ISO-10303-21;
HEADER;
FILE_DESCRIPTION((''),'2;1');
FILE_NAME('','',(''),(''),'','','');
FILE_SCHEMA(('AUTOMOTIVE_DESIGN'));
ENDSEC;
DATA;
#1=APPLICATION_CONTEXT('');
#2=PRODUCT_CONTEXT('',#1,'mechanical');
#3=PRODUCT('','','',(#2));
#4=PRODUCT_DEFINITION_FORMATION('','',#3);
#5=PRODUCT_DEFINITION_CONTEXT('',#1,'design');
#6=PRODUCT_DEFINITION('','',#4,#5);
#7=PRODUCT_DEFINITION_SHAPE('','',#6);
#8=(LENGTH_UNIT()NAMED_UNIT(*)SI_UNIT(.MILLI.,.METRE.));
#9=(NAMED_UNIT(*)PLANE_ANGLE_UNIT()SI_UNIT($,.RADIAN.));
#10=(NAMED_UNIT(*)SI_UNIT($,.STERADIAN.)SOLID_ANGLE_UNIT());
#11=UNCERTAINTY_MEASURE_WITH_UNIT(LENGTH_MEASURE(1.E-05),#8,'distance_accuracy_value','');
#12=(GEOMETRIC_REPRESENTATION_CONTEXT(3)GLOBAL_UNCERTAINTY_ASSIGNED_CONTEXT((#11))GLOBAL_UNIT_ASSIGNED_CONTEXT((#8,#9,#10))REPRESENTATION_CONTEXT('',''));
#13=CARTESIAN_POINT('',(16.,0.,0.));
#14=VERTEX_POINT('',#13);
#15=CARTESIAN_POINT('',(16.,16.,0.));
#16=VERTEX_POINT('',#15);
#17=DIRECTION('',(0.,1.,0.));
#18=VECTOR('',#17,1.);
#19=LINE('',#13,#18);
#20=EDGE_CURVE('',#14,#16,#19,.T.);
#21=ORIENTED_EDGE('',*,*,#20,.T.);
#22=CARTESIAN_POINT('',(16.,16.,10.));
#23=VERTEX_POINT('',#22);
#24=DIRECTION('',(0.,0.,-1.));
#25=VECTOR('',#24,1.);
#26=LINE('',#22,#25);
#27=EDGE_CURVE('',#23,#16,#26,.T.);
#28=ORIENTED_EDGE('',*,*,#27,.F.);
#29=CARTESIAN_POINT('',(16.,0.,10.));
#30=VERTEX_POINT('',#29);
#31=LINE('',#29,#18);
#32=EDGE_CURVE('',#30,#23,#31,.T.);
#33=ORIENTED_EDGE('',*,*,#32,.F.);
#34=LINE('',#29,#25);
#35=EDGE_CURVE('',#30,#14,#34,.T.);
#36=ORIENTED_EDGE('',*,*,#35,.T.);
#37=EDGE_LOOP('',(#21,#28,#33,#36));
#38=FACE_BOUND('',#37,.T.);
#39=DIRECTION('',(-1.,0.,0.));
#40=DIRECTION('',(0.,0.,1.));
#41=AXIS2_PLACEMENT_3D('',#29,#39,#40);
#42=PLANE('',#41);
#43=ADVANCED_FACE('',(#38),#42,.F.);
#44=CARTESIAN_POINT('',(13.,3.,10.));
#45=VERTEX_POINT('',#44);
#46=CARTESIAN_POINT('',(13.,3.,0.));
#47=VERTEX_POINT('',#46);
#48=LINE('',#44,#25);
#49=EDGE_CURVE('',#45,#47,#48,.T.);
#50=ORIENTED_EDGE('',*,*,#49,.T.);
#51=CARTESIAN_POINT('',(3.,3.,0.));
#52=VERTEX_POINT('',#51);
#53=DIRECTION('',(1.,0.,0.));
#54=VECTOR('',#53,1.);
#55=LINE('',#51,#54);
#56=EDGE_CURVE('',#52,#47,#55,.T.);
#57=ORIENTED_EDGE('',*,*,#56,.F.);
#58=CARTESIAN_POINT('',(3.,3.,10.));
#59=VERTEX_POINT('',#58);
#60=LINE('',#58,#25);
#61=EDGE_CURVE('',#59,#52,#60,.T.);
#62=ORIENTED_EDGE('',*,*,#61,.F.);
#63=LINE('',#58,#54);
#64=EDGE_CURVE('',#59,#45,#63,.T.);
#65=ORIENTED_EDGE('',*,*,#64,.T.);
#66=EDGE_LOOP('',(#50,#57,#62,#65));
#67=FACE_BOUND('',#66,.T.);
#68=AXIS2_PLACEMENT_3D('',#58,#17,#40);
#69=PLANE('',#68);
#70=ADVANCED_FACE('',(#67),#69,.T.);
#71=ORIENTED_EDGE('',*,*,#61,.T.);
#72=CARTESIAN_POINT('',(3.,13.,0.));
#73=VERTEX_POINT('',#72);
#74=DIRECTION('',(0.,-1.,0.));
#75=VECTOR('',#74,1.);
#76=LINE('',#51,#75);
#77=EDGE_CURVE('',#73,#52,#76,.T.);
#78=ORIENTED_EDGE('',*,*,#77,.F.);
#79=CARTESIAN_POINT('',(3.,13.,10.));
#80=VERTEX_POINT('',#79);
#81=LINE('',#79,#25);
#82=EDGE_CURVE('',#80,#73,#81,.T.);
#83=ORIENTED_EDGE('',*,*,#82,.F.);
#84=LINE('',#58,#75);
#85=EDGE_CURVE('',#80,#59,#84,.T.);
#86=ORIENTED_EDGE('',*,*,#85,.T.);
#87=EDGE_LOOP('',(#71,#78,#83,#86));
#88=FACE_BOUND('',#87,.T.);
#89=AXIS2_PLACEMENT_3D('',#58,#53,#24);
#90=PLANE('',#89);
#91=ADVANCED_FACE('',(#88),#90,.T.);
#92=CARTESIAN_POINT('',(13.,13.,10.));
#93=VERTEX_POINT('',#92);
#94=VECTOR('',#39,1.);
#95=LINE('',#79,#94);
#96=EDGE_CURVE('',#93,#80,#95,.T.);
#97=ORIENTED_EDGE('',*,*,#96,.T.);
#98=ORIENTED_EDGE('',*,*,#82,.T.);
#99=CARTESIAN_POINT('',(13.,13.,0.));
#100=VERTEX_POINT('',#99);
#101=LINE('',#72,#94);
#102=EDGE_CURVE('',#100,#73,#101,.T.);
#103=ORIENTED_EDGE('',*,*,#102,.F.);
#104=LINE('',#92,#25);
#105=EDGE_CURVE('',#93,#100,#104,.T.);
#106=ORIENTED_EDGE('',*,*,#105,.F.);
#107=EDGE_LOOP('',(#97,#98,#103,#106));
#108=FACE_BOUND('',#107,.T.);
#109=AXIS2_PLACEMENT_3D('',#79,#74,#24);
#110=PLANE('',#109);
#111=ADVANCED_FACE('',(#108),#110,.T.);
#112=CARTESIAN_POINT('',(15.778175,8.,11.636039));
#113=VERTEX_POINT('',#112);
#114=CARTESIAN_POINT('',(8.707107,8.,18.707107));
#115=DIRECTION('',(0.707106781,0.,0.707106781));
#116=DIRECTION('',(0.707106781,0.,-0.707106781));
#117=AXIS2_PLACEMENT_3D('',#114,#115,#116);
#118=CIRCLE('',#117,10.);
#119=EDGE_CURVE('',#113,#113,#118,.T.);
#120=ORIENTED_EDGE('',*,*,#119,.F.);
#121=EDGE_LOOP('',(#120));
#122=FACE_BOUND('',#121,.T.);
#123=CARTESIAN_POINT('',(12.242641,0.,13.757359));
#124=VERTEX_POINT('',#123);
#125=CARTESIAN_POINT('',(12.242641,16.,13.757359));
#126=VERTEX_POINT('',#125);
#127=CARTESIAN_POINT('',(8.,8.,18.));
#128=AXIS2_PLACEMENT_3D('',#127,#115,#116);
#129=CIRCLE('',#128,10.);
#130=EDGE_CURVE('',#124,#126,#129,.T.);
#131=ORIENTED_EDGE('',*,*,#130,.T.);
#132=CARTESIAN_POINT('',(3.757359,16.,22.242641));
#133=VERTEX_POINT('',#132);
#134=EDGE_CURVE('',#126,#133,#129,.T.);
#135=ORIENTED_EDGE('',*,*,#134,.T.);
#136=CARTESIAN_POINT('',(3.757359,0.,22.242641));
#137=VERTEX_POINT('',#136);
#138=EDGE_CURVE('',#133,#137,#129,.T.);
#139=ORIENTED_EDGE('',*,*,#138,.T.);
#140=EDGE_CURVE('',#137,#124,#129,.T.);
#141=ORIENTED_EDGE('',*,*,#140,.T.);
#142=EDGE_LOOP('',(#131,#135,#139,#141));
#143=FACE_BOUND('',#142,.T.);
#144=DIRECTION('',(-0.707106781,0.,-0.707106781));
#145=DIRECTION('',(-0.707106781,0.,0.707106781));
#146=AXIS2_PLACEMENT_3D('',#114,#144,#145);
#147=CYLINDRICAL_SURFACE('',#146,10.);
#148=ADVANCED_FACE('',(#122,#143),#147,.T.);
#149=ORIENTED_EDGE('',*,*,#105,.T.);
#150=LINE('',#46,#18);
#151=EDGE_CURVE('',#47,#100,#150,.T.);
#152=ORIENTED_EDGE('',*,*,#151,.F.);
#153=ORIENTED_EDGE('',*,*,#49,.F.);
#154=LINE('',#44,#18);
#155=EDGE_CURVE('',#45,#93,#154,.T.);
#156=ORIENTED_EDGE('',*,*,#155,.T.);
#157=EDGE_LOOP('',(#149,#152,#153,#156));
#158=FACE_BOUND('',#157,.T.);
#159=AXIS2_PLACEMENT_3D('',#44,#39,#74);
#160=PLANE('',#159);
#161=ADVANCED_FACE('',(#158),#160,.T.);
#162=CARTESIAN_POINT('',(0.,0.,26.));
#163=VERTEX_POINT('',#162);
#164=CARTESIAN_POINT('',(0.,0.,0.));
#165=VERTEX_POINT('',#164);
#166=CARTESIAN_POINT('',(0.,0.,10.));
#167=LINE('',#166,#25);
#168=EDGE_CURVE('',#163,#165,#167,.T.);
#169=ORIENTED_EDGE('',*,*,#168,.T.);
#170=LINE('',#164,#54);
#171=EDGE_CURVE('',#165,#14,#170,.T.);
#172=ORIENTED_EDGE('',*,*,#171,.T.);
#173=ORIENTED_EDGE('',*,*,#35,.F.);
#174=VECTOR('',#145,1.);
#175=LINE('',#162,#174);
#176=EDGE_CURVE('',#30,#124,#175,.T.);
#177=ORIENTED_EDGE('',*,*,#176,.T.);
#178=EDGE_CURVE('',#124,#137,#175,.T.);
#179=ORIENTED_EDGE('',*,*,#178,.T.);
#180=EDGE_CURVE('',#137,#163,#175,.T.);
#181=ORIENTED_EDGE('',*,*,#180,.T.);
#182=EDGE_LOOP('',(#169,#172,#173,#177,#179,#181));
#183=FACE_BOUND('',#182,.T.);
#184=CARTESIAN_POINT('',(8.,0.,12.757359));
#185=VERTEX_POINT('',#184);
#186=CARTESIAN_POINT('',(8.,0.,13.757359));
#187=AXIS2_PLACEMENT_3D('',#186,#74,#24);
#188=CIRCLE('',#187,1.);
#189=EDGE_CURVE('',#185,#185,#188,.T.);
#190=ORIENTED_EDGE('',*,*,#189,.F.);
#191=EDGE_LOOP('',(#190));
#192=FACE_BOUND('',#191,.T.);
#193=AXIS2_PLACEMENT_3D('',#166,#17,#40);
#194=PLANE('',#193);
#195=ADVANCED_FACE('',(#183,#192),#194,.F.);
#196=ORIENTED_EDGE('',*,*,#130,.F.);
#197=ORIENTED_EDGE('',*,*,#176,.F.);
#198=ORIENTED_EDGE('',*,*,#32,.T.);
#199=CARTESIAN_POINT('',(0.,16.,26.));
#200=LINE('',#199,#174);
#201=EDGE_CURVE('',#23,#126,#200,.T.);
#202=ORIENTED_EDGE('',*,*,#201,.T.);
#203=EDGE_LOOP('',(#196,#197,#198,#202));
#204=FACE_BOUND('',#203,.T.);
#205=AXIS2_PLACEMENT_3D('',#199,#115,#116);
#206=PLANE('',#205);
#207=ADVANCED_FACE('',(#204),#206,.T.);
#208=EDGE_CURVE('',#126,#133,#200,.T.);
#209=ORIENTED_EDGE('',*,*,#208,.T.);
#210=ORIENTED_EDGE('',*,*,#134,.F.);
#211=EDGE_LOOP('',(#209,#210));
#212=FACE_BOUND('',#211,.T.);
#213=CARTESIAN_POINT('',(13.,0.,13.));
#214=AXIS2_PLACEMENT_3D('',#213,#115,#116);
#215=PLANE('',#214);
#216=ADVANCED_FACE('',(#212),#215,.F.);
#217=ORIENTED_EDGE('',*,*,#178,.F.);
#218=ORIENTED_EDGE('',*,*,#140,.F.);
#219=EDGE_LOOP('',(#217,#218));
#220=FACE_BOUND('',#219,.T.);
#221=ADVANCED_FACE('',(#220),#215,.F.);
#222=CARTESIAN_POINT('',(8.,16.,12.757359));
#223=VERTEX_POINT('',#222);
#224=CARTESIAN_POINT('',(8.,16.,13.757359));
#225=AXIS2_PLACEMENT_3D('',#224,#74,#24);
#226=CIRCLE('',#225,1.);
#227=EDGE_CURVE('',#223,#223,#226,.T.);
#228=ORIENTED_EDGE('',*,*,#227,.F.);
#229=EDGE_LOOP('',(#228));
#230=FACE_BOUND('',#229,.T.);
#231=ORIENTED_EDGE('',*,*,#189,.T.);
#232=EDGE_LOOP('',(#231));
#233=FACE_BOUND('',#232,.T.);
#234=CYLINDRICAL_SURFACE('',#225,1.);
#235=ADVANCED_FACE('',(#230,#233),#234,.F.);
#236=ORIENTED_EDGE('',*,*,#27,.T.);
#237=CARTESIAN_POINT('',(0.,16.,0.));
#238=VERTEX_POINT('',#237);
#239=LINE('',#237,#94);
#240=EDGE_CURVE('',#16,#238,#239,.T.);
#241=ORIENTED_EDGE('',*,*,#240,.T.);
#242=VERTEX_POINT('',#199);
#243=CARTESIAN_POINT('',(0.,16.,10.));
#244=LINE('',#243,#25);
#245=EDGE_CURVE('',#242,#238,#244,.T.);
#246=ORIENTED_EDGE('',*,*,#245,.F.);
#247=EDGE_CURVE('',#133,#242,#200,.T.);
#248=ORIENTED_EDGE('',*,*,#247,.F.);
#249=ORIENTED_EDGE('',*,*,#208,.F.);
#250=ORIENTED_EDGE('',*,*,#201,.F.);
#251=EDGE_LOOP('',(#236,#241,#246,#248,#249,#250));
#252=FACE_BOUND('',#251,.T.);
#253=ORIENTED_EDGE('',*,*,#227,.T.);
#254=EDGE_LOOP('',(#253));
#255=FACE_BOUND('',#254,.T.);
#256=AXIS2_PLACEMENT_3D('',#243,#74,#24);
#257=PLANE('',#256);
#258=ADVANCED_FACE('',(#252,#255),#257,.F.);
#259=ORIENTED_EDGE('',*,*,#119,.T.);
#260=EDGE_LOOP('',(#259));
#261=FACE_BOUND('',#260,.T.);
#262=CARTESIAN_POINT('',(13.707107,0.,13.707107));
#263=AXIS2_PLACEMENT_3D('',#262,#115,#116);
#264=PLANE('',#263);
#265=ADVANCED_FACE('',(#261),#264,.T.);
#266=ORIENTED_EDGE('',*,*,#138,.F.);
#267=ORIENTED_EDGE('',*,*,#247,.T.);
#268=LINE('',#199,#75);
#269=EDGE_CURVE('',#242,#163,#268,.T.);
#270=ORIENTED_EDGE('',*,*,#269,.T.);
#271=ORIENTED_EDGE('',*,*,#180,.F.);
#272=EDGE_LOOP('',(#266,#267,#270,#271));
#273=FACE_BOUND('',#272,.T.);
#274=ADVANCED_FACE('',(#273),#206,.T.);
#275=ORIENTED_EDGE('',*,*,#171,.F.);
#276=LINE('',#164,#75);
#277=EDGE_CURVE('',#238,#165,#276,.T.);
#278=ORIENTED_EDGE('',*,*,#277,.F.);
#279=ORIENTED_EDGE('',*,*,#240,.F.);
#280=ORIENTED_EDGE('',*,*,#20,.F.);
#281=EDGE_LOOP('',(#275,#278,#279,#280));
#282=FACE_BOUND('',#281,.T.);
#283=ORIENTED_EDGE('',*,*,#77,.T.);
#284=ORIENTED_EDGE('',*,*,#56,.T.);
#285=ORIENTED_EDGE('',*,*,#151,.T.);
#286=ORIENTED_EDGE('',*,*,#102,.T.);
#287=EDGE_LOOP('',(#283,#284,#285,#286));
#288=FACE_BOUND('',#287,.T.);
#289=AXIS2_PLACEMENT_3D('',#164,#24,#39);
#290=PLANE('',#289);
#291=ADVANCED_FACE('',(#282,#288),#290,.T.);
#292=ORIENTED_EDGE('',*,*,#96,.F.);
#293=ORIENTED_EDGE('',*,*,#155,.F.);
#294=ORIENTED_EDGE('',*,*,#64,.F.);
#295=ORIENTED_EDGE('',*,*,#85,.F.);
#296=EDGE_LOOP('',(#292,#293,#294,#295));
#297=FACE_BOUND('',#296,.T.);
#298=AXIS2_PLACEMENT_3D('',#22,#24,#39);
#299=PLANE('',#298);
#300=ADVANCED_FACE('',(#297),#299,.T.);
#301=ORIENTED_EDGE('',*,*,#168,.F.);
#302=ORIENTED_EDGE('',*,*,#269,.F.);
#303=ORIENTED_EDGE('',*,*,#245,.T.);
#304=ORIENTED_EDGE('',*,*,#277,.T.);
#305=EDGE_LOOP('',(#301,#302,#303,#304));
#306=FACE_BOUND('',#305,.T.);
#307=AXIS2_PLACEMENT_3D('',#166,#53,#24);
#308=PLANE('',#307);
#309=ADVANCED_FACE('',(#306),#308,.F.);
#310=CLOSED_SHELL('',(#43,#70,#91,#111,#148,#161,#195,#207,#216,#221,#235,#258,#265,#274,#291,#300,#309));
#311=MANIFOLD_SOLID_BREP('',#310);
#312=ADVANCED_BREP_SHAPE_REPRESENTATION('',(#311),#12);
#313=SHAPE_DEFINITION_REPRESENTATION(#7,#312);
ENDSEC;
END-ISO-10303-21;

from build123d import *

# Parameters (mm, degrees)
SKETCH_1_W          = 16
SKETCH_1_H          = 16
SKETCH_1_W_2        = 10
SKETCH_1_H_2        = 10
EXTRUDE_1_DEPTH     = 10
EXTRUDE_2_DEPTH     = 16
EXTRUDE_3_DEPTH     = 1
CUT_EXTRUDE_3_DEPTH = 16


with BuildPart() as part:
    # 草图1 → 凸台-拉伸1 (new body)
    with BuildSketch(Plane.XY):
        with Locations((8, 8)):
            Rectangle(SKETCH_1_W, SKETCH_1_H)
        with Locations((8, 8)):
            Rectangle(SKETCH_1_W_2, SKETCH_1_H_2, mode=Mode.SUBTRACT)
    extrude(amount=EXTRUDE_1_DEPTH)

    # 草图2 → 凸台-拉伸2 (add)
    with BuildSketch(Plane.XZ):
        Polygon((0, 10), (0, 26), (16, 10), align=None)
    extrude(amount=-EXTRUDE_2_DEPTH)

    # 草图6 → 凸台-拉伸3 (add)
    with BuildSketch(Plane(origin=(13, 0, 13), x_dir=(0.7071067811865475, 0, -0.7071067811865477), z_dir=(0.7071067811865477, 0, 0.7071067811865475))):
        with BuildLine():
            Line((-13.071067812, 0), (-7.071067812, 0))
            Line((-7.071067812, 0), (-7.071067812, 16))
            Line((-7.071067812, 16), (-13.071067812, 16))
            ThreePointArc((-13.071067812, 16), (-17.071067812, 8), (-13.071067812, 0))
        make_face()
        with BuildLine():
            Line((-7.071067812, 16), (-7.071067812, 0))
            Line((-7.071067812, 0), (-1.071067812, 0))
            ThreePointArc((-1.071067812, 0), (1.873204098, 3.527864045), (2.928932188, 8))
            ThreePointArc((2.928932188, 8), (1.873204098, 12.472135955), (-1.071067812, 16))
            Line((-1.071067812, 16), (-7.071067812, 16))
        make_face()
        with BuildLine():
            Line((-1.071067812, 0), (-7.071067812, 0))
            Line((-7.071067812, 0), (-13.071067812, 0))
            ThreePointArc((-13.071067812, 0), (-7.071067812, -2), (-1.071067812, 0))
        make_face()
        with BuildLine():
            Line((-13.071067812, 16), (-7.071067812, 16))
            Line((-7.071067812, 16), (-1.071067812, 16))
            ThreePointArc((-1.071067812, 16), (-7.071067812, 18), (-13.071067812, 16))
        make_face()
    extrude(amount=EXTRUDE_3_DEPTH)

    # 草图9 → 切除-拉伸3 (cut)
    with BuildSketch(Plane(origin=(0, 0, 0), x_dir=(-1, 0, 0), z_dir=(0, -1, 0))):
        with BuildLine():
            Line((-8, -13.757359313), (-7.292893219, -14.464466094))
            ThreePointArc((-7.292893219, -14.464466094), (-7.076120467, -14.140042745), (-7, -13.757359313))
            ThreePointArc((-7, -13.757359313), (-7.292893219, -13.050252532), (-8, -12.757359313))
            Line((-8, -12.757359313), (-8, -13.757359313))
        make_face()
        with BuildLine():
            Line((-8.707106781, -13.050252532), (-8, -13.757359313))
            Line((-8, -13.757359313), (-8, -12.757359313))
            ThreePointArc((-8, -12.757359313), (-8.382683432, -12.83347978), (-8.707106781, -13.050252532))
        make_face()
        with BuildLine():
            ThreePointArc((-8.707106781, -13.050252532), (-8.707106781, -14.464466094), (-7.292893219, -14.464466094))
            Line((-7.292893219, -14.464466094), (-8, -13.757359313))
            Line((-8, -13.757359313), (-8.707106781, -13.050252532))
        make_face()
    extrude(amount=-CUT_EXTRUDE_3_DEPTH, mode=Mode.SUBTRACT)


solid = part.part
